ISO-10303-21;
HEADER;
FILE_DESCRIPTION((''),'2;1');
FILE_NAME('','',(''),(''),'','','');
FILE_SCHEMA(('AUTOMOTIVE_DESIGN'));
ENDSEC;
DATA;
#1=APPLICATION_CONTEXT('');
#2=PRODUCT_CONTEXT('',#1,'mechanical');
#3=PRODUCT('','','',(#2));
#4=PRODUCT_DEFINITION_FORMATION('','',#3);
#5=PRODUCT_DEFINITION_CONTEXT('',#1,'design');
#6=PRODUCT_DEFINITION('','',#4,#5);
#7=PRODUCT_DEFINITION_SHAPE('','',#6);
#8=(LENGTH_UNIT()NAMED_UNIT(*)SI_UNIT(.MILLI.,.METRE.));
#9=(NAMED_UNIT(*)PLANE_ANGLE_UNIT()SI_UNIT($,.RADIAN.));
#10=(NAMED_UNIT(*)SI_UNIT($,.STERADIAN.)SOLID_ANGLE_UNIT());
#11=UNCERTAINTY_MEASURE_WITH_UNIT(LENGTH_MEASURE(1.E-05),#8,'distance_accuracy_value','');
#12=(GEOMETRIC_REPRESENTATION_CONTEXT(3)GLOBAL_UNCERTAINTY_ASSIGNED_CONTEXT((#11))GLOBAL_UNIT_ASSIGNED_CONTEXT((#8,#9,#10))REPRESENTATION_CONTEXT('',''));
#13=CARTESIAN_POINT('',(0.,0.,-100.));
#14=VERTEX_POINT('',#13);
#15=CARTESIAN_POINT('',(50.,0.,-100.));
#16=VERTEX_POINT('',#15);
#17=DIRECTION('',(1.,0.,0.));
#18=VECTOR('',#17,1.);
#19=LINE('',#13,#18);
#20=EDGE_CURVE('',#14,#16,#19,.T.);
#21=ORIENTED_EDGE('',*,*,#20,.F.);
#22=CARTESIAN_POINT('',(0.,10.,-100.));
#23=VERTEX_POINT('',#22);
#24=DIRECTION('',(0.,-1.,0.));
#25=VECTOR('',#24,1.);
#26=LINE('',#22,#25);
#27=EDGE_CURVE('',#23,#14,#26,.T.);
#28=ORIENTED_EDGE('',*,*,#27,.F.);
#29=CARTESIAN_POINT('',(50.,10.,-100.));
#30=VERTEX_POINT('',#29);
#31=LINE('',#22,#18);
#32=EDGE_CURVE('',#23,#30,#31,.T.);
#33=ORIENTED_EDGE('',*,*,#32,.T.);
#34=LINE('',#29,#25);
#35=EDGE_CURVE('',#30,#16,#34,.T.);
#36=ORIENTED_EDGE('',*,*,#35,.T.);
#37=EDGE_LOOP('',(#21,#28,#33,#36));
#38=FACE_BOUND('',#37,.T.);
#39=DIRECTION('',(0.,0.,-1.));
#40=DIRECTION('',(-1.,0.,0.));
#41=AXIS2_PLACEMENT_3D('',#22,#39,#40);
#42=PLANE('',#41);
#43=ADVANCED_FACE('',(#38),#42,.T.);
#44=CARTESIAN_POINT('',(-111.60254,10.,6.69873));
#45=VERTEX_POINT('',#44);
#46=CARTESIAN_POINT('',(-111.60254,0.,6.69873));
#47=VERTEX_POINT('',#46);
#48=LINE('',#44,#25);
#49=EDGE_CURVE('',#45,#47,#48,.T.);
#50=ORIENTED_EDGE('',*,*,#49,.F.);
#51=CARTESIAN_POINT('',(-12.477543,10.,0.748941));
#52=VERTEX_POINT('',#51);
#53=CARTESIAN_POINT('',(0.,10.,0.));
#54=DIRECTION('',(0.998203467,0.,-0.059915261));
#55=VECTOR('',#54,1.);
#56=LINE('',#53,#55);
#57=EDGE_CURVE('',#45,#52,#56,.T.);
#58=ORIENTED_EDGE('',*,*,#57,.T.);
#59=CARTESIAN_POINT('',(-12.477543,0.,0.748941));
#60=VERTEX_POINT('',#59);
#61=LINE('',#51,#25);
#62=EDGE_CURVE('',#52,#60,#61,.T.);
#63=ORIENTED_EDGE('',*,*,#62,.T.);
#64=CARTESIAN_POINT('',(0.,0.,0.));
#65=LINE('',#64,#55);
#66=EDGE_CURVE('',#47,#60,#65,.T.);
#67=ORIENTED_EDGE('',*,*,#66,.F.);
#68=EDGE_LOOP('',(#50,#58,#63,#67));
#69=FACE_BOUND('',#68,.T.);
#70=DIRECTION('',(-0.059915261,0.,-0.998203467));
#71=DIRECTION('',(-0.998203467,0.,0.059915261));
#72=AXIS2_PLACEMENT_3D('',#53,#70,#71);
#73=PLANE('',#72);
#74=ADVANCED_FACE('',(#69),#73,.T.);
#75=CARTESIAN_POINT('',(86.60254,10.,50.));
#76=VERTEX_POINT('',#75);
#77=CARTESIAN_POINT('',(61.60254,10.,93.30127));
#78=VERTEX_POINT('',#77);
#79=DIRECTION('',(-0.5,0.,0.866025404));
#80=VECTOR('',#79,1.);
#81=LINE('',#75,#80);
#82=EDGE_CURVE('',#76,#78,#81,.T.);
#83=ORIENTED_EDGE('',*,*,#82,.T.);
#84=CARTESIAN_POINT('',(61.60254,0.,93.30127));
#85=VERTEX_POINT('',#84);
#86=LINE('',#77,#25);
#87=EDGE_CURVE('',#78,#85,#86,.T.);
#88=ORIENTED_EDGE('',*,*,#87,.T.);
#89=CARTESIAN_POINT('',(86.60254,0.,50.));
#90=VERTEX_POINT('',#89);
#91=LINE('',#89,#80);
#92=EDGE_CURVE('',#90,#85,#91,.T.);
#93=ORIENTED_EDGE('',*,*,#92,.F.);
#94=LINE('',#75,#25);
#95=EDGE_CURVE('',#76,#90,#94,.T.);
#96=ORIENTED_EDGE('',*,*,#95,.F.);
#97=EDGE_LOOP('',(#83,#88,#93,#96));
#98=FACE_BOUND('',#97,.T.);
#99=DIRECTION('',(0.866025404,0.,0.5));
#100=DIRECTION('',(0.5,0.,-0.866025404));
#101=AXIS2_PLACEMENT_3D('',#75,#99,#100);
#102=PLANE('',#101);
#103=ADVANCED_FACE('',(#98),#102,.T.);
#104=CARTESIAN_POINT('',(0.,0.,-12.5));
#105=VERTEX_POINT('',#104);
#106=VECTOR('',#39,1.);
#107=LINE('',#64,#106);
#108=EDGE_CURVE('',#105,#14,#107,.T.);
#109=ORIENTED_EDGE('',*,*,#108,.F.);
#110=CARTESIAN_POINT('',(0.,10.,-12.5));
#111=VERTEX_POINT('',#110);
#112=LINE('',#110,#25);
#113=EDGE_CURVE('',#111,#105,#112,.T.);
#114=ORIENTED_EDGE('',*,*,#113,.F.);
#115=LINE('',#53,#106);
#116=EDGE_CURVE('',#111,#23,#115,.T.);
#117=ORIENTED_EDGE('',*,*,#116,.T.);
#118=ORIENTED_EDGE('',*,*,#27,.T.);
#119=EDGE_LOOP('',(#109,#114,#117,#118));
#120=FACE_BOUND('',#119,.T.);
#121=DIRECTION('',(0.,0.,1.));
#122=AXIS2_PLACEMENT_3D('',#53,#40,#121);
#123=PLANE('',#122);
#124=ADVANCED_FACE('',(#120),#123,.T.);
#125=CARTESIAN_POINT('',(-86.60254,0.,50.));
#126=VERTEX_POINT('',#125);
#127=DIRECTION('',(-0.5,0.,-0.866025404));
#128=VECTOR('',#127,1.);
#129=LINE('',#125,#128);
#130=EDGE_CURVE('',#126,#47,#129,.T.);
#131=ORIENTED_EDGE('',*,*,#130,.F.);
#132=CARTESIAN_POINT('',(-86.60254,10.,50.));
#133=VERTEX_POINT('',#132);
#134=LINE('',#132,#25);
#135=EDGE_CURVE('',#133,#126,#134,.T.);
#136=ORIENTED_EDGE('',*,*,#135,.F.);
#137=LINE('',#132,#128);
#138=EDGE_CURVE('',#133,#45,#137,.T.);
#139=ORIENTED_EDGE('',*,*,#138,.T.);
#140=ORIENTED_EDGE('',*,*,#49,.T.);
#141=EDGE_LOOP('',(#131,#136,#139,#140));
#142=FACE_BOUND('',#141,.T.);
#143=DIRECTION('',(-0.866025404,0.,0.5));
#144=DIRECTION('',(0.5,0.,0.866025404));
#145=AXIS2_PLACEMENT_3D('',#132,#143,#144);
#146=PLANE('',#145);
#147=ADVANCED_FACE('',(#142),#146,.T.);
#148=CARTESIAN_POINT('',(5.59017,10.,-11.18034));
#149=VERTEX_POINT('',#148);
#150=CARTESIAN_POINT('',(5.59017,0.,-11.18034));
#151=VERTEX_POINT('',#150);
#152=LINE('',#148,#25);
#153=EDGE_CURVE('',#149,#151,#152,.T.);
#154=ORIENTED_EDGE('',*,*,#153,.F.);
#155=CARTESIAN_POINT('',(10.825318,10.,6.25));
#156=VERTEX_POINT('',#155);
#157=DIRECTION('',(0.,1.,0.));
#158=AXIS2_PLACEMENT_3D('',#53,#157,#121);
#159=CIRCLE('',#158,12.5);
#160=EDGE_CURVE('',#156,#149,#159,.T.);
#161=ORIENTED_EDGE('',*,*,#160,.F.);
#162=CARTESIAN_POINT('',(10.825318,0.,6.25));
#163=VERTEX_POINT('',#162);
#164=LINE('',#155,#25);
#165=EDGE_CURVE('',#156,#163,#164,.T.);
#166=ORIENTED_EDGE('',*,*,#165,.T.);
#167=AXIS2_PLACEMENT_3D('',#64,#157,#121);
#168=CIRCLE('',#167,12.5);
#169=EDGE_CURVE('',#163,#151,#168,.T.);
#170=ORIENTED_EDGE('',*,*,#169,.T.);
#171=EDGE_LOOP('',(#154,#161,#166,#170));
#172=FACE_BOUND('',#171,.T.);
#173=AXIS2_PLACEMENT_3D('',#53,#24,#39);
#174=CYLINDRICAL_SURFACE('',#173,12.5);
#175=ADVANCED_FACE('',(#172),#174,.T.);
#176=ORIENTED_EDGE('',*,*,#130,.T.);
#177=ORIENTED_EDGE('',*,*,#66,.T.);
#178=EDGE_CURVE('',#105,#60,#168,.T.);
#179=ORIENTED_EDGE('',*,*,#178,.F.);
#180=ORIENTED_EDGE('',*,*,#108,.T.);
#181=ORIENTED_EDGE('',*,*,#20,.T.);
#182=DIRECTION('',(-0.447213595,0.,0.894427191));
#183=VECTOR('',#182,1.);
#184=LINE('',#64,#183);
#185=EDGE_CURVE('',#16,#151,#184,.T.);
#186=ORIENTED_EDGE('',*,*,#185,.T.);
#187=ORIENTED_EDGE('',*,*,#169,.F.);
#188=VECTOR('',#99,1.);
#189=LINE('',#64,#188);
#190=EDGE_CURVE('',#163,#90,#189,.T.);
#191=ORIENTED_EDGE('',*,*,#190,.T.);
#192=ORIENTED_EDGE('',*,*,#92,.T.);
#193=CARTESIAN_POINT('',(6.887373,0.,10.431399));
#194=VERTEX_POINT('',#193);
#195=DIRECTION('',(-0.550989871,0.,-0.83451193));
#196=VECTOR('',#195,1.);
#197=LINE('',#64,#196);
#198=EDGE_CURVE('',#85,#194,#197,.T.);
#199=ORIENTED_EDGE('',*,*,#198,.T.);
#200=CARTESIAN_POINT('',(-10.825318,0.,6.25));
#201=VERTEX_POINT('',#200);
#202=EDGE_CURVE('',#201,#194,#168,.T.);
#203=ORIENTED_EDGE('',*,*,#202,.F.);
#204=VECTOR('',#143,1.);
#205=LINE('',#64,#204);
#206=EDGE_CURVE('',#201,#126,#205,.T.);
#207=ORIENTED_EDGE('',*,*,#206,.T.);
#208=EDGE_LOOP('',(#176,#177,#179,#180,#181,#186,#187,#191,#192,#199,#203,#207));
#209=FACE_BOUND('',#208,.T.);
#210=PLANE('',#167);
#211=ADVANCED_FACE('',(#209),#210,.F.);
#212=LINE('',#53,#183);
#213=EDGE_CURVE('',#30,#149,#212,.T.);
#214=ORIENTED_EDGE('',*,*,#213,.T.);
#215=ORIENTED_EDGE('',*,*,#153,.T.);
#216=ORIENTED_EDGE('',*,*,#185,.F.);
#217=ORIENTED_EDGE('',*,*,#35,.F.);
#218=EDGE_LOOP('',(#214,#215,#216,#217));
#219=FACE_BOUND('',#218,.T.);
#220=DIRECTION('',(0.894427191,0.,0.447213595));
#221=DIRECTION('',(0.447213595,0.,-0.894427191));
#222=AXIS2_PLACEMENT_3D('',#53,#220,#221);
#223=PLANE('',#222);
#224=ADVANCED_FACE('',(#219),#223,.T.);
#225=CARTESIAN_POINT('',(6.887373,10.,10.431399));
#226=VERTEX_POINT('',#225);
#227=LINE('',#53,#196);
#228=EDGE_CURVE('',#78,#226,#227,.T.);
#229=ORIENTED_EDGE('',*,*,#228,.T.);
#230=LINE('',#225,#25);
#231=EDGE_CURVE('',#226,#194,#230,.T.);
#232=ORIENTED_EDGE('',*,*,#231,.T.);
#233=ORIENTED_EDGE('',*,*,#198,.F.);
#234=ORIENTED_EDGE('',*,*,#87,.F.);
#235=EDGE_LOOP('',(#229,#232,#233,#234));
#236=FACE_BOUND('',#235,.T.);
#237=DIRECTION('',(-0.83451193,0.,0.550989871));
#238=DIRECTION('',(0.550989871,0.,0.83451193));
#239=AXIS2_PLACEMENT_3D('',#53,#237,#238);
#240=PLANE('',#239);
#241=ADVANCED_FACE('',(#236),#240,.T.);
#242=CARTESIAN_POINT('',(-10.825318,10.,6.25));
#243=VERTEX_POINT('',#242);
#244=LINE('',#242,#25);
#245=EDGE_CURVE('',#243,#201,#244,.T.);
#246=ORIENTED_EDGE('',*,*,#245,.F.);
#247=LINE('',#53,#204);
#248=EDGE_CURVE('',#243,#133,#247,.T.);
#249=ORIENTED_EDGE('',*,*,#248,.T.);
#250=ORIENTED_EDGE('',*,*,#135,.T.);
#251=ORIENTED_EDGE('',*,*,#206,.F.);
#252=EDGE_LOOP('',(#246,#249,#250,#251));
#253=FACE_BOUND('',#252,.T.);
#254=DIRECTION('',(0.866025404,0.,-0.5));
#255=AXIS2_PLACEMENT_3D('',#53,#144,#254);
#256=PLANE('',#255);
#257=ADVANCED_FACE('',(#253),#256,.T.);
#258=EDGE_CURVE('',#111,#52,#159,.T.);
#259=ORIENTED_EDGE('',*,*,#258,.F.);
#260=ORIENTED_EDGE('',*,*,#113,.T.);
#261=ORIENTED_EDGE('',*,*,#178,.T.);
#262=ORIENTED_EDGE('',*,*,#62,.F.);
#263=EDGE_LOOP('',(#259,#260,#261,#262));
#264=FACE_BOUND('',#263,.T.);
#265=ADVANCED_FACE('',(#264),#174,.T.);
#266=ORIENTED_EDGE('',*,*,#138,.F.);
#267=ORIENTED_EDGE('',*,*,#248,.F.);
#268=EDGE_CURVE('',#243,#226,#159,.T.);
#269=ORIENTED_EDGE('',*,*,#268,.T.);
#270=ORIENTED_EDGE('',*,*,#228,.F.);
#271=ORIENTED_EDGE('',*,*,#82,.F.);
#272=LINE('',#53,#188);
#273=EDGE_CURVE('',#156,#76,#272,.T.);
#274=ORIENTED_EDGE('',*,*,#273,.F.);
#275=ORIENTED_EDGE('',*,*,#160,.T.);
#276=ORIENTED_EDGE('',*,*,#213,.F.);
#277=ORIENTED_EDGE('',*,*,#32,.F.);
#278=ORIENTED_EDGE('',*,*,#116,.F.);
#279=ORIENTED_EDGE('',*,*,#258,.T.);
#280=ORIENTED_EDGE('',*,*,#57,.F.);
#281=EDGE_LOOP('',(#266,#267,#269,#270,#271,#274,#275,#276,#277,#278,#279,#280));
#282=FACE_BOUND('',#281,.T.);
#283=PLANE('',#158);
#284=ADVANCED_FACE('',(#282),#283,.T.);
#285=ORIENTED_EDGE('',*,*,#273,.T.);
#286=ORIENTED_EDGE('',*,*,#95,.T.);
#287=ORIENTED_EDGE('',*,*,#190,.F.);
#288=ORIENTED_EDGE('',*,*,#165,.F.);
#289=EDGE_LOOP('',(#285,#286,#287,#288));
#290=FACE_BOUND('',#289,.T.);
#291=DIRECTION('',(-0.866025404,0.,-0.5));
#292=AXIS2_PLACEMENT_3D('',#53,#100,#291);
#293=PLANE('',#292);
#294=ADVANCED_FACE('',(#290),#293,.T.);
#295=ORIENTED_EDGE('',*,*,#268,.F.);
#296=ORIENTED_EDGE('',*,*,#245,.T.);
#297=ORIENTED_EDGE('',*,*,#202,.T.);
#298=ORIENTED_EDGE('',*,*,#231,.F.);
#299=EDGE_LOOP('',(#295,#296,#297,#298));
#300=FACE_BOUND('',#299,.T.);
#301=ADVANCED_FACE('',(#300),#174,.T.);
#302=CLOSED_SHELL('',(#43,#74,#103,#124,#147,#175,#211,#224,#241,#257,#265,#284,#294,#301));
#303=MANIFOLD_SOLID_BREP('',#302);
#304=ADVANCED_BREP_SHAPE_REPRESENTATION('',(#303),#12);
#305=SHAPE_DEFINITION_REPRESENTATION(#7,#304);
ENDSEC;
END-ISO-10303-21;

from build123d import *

# Parameters (mm, degrees)
SKETCH1_R           = 12.5
BOSS_EXTRUDE1_DEPTH = 10


with BuildPart() as part:
    # Sketch1 → Boss-Extrude1 (new body)
    with BuildSketch(Plane(origin=(0, 0, 0), x_dir=(1, 0, 0), z_dir=(0, 1, 0))):
        Circle(SKETCH1_R)
        Polygon((50, 100), (0, 0), (0, 100), align=None)
        Polygon((-111.602540378, -6.698729811), (0, 0), (-86.602540378, -50), align=None)
        Polygon((61.602540378, -93.301270189), (0, 0), (86.602540378, -50), align=None)
        with BuildLine():
            Line((-12.477543337, -0.748940761), (0, 0))
            Line((0, 0), (0, 12.5))
            ThreePointArc((0, 12.5), (-9.09977361, 8.569954507), (-12.477543337, -0.748940761))
        make_face()
        with BuildLine():
            Line((0, 12.5), (0, 0))
            Line((0, 0), (5.590169944, 11.180339887))
            ThreePointArc((5.590169944, 11.180339887), (2.871911507, 12.165612368), (0, 12.5))
        make_face()
        with BuildLine():
            Line((5.590169944, 11.180339887), (0, 0))
            Line((0, 0), (10.825317547, -6.25))
            ThreePointArc((10.825317547, -6.25), (12.074072829, -3.235238064), (12.5, 0))
            ThreePointArc((12.5, 0), (10.633135104, 6.571638901), (5.590169944, 11.180339887))
        make_face()
        with BuildLine():
            Line((10.825317547, -6.25), (0, 0))
            Line((0, 0), (6.887373394, -10.431399127))
            ThreePointArc((6.887373394, -10.431399127), (9.09977361, -8.569954507), (10.825317547, -6.25))
        make_face()
        with BuildLine():
            Line((6.887373394, -10.431399127), (0, 0))
            Line((0, 0), (-10.825317547, -6.25))
            ThreePointArc((-10.825317547, -6.25), (-2.871911507, -12.165612368), (6.887373394, -10.431399127))
        make_face()
        with BuildLine():
            Line((-10.825317547, -6.25), (0, 0))
            Line((0, 0), (-12.477543337, -0.748940761))
            ThreePointArc((-12.477543337, -0.748940761), (-11.971685117, -3.595657862), (-10.825317547, -6.25))
        make_face()
    extrude(amount=BOSS_EXTRUDE1_DEPTH)


solid = part.part
